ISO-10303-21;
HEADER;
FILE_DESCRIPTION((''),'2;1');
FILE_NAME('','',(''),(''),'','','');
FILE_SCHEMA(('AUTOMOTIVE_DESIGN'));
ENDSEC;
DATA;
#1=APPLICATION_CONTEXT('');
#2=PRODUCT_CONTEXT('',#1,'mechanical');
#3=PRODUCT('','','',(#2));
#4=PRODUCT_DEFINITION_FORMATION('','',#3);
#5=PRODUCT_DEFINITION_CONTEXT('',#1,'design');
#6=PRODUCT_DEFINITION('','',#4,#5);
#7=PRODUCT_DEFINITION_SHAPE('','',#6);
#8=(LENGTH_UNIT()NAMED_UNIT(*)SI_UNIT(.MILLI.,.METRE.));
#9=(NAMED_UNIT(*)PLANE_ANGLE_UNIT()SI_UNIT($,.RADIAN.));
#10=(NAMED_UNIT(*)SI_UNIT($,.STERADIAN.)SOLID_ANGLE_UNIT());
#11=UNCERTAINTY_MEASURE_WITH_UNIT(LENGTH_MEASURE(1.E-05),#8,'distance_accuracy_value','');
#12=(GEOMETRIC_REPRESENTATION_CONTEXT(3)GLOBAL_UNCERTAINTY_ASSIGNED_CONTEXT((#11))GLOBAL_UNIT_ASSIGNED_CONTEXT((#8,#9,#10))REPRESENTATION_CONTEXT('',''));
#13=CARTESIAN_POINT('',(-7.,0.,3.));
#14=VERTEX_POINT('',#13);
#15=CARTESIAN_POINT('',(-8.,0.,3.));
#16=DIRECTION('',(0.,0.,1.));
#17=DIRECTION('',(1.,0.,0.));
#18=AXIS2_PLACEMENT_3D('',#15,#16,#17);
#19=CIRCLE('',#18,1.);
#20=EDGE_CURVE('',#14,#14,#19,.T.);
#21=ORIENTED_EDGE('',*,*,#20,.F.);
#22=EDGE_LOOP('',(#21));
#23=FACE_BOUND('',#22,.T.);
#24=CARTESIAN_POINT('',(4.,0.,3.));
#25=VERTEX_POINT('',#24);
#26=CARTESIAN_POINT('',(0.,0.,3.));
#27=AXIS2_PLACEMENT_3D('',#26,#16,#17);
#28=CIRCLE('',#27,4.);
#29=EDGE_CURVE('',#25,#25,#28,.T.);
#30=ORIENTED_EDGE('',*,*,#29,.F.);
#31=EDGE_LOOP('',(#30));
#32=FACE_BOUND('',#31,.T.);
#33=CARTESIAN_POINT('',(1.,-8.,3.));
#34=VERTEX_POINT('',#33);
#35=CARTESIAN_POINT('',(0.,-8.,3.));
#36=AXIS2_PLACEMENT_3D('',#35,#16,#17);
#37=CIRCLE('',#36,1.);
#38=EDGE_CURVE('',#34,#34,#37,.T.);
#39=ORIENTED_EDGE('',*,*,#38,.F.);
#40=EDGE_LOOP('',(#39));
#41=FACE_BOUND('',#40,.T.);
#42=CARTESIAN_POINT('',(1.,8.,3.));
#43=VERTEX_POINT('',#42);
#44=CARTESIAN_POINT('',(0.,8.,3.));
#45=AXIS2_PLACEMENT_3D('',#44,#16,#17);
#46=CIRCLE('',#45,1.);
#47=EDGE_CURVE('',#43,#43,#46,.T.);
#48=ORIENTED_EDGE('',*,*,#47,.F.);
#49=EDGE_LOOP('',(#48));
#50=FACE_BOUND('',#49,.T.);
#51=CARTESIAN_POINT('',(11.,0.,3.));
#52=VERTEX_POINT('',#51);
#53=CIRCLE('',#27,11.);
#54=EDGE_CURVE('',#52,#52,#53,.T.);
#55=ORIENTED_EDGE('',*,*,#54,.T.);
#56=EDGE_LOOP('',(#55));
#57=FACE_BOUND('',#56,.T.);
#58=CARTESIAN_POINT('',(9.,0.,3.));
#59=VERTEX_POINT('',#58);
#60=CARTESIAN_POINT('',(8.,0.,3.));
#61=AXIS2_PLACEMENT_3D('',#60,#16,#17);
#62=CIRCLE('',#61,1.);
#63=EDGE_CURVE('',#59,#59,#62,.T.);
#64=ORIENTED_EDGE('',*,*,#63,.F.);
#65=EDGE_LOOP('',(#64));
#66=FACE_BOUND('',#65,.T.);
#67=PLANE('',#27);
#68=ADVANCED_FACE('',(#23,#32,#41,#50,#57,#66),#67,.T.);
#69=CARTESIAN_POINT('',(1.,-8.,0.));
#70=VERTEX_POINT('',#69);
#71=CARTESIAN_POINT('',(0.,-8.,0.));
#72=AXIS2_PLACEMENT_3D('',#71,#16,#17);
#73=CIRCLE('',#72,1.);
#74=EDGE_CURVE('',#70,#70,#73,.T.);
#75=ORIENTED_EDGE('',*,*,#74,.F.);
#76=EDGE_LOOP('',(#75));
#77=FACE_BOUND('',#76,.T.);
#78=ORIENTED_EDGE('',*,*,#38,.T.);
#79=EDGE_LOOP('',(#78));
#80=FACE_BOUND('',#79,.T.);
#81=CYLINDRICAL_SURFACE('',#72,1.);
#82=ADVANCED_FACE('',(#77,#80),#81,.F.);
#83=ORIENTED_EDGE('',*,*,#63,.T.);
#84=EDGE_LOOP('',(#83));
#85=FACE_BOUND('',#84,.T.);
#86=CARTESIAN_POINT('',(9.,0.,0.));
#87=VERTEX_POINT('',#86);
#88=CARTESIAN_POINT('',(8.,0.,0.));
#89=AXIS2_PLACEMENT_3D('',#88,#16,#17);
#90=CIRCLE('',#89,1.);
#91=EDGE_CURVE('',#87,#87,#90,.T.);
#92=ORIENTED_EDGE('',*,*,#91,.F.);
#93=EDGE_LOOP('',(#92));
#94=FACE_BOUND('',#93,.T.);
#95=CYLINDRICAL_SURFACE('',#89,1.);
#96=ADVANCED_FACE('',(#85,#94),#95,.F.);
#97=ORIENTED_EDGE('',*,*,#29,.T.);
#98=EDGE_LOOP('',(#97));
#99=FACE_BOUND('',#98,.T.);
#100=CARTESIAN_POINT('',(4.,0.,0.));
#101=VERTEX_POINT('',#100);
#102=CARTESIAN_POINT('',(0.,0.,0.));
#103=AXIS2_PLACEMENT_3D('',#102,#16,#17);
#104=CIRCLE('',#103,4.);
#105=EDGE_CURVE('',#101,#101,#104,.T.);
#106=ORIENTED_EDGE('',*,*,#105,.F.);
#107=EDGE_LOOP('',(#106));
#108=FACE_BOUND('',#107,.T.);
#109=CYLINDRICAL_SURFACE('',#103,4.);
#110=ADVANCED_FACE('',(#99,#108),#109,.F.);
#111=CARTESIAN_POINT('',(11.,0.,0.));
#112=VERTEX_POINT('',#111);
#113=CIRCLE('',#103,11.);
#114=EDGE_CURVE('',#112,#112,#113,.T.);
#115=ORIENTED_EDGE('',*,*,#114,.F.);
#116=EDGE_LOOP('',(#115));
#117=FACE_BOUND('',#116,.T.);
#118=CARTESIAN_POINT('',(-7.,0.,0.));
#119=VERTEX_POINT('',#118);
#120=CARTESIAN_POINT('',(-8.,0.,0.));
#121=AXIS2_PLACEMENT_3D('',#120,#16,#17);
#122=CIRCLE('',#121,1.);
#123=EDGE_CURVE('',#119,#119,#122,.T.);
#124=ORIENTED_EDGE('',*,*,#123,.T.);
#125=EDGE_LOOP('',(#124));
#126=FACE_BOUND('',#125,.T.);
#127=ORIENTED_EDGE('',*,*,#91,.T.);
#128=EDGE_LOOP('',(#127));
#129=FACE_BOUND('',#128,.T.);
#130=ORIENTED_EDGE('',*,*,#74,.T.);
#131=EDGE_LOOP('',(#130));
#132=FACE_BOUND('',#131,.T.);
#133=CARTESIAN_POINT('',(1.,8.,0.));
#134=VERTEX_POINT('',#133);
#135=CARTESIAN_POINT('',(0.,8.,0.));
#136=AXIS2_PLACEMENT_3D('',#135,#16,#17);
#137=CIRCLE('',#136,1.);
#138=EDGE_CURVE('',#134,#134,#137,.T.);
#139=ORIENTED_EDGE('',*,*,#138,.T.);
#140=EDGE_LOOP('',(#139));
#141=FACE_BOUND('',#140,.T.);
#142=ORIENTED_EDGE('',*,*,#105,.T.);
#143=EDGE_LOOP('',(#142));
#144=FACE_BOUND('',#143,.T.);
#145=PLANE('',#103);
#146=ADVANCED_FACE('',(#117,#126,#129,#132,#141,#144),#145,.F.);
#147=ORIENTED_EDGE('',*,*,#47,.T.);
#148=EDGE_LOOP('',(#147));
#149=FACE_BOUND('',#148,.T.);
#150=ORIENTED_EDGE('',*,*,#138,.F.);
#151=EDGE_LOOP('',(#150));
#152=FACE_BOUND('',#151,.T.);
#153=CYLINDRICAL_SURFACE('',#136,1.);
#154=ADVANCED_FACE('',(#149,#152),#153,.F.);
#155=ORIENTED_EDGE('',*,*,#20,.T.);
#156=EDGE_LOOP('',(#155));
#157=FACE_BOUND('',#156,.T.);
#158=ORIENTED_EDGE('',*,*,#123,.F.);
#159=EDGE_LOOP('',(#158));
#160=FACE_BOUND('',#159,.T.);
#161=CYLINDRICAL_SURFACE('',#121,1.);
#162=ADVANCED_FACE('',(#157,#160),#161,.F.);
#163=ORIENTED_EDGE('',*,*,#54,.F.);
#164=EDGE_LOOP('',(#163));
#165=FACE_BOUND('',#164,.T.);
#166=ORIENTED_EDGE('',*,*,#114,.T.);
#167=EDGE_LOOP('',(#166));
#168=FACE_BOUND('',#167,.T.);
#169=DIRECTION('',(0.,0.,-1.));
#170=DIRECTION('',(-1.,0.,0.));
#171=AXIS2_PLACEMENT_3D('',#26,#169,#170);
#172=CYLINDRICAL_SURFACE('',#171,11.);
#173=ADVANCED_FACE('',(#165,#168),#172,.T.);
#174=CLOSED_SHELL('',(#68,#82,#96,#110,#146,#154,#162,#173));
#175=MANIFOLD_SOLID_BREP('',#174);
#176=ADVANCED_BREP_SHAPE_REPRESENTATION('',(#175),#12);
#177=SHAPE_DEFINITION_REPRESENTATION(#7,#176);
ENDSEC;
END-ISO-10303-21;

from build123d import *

# Parameters (mm, degrees)
ESQUISSE1_R             = 11
BOSS_EXTRU_1_DEPTH      = 3
ESQUISSE2_R             = 4
ESQUISSE2_R_2           = 1
ENL_V_MAT_EXTRU_1_DEPTH = 3


with BuildPart() as part:
    # Esquisse1 → Boss.-Extru.1 (new body)
    with BuildSketch(Plane.XY):
        Circle(ESQUISSE1_R)
    extrude(amount=BOSS_EXTRU_1_DEPTH)

    # Esquisse2 → Enlèv. mat.-Extru.1 (cut)
    with BuildSketch(Plane.XY.offset(3)):
        Circle(ESQUISSE2_R)
        with Locations((0, 8)):
            Circle(ESQUISSE2_R_2)
        with Locations((0, -8)):
            Circle(ESQUISSE2_R_2)
        with Locations((8, 0)):
            Circle(ESQUISSE2_R_2)
        with Locations((-8, 0)):
            Circle(ESQUISSE2_R_2)
    extrude(amount=-ENL_V_MAT_EXTRU_1_DEPTH, mode=Mode.SUBTRACT)


solid = part.part
